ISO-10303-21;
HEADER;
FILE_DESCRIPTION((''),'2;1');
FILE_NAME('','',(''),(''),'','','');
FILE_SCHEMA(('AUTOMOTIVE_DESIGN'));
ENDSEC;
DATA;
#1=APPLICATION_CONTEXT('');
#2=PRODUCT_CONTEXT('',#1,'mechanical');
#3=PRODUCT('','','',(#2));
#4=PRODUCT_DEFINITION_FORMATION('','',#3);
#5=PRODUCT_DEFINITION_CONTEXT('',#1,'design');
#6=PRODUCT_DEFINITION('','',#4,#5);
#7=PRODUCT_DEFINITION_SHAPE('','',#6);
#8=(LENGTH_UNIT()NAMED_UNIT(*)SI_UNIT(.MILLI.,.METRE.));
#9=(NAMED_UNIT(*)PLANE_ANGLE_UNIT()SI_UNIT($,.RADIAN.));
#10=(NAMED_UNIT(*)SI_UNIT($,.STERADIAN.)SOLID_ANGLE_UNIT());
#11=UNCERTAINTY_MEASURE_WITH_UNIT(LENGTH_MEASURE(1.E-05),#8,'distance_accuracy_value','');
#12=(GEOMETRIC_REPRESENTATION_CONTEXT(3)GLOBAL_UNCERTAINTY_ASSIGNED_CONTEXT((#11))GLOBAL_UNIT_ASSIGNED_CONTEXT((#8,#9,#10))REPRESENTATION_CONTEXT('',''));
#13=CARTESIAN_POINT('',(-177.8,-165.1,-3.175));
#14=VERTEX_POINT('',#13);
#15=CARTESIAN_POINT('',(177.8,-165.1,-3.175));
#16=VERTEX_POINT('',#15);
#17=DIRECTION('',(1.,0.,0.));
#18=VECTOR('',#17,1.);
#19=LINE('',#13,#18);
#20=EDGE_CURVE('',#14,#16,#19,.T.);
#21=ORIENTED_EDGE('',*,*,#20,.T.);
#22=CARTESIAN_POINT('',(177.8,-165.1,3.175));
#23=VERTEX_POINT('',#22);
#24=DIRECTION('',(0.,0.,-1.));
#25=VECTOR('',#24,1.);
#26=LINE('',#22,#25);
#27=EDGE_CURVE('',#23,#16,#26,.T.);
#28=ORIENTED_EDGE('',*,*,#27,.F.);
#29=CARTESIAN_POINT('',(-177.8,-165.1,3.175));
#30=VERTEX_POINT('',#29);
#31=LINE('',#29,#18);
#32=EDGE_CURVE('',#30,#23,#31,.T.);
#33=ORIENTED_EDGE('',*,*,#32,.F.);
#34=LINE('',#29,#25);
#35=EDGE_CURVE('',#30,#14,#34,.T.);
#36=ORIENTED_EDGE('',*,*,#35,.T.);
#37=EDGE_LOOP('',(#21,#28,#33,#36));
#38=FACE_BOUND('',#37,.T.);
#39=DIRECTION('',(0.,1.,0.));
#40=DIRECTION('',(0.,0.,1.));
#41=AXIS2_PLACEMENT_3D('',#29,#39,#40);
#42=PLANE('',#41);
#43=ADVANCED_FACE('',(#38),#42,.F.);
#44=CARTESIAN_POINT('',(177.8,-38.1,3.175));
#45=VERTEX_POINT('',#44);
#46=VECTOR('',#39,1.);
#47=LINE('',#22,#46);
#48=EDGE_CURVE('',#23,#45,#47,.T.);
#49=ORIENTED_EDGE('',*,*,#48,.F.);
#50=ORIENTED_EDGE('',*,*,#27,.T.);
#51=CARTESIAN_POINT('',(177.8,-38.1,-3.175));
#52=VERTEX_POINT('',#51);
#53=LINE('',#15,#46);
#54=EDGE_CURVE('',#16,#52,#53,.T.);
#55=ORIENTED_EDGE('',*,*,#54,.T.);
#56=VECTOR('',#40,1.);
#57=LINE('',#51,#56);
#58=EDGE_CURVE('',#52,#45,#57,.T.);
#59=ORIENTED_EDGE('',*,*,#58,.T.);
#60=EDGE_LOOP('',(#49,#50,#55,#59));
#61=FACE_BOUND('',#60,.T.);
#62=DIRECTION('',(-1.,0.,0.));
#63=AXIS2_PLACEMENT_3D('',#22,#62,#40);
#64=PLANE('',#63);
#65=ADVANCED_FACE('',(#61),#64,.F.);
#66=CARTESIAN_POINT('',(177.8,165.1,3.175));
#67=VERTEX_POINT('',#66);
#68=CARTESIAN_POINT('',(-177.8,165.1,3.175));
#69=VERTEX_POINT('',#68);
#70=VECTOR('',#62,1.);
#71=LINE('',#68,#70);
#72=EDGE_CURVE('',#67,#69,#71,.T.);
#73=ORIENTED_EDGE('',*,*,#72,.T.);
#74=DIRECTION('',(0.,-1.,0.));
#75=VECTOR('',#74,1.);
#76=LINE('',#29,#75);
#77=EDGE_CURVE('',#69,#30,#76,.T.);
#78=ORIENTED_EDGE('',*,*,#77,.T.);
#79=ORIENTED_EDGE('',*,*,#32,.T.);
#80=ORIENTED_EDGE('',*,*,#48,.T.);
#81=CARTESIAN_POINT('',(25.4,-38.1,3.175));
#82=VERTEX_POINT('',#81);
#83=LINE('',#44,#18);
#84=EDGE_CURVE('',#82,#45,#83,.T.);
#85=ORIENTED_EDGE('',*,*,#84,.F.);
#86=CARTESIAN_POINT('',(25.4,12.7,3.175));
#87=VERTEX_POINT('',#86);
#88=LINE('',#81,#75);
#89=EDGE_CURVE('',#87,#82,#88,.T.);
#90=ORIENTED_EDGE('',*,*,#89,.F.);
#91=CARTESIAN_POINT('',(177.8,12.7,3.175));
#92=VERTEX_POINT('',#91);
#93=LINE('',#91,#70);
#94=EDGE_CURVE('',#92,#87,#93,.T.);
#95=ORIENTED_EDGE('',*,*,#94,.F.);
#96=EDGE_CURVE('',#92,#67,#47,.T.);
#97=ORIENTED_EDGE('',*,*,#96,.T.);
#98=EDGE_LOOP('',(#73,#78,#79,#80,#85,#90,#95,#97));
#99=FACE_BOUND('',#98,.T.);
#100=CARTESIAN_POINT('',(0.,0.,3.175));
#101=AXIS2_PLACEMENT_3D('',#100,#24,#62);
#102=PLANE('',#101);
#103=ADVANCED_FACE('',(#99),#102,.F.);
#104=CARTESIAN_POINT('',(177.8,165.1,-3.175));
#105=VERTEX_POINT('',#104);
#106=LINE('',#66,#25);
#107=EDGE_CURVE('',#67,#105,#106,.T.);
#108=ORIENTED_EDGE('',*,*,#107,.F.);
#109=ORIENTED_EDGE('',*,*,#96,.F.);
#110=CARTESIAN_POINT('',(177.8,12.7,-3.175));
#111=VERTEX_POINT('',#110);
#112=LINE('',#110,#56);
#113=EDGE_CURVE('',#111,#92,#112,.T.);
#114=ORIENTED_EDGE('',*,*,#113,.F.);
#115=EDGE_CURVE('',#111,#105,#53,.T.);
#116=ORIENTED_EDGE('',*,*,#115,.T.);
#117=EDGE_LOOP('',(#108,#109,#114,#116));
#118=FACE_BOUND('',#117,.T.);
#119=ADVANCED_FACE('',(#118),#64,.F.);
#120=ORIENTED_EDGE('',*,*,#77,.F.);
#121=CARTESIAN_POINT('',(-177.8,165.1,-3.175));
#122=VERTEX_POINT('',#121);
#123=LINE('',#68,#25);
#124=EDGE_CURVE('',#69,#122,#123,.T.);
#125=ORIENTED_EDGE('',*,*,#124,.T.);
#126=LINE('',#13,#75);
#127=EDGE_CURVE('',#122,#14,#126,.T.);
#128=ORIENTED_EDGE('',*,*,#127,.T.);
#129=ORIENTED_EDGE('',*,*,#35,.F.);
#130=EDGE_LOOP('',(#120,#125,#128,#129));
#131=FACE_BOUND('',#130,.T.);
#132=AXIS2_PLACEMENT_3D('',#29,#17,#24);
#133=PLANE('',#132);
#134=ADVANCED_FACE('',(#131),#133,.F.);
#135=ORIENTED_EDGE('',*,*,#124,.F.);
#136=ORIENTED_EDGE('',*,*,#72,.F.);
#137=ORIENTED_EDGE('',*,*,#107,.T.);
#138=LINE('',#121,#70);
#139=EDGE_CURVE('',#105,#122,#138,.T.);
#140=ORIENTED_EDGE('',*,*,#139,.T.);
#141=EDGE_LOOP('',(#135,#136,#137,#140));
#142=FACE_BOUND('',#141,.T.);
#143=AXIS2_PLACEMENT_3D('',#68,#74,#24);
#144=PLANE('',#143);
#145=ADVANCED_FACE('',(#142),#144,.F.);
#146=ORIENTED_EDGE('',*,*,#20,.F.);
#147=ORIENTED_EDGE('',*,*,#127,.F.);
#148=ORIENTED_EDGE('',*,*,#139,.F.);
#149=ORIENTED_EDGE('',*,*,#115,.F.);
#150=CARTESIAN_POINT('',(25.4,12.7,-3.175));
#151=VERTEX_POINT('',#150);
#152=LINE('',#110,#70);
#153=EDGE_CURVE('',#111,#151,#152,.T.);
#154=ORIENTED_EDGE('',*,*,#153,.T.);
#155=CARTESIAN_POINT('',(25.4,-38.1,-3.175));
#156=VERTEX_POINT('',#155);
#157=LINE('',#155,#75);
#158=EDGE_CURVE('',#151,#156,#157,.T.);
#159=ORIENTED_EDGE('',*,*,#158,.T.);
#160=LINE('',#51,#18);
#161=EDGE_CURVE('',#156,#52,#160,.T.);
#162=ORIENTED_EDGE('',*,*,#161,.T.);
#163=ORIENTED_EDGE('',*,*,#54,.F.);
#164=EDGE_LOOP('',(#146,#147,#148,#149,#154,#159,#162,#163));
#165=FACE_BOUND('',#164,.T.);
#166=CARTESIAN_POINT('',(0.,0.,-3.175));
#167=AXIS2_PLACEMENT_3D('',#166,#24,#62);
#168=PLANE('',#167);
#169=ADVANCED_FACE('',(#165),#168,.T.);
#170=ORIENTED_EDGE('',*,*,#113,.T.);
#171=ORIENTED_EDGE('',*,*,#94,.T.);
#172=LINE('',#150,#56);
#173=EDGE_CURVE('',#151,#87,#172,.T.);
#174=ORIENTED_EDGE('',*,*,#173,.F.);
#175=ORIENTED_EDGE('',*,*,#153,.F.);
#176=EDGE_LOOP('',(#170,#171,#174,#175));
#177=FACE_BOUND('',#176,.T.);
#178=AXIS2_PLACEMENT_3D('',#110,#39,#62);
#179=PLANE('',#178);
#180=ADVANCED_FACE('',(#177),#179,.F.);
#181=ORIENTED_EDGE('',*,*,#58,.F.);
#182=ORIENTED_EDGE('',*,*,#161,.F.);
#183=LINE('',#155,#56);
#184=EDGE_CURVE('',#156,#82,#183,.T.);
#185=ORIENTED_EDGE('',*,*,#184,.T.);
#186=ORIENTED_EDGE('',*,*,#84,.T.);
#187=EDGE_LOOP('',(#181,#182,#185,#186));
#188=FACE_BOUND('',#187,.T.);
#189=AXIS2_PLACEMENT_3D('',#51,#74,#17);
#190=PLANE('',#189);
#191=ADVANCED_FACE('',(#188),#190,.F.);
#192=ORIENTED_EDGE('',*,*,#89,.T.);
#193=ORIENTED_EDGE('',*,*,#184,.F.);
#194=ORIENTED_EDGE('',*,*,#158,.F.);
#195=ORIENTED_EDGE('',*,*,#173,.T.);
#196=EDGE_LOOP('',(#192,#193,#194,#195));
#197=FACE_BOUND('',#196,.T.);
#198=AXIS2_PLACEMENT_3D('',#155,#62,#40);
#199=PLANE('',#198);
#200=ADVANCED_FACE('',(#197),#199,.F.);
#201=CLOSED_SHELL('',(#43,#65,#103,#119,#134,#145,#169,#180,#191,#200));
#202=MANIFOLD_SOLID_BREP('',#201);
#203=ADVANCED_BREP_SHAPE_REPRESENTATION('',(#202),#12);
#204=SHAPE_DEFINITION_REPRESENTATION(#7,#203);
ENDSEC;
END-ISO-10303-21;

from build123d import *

# Parameters (mm, degrees)
SKETCH1_W           = 355.6
SKETCH1_H           = 330.2
BOSS_EXTRUDE1_DEPTH = 3.175
SKETCH3_W           = 152.4
SKETCH3_H           = 50.8
CUT_EXTRUDE1_DEPTH  = 7.35


with BuildPart() as part:
    # Sketch1 → Boss-Extrude1 (new body, symmetric)
    with BuildSketch(Plane.XY):
        Rectangle(SKETCH1_W, SKETCH1_H)
    extrude(amount=BOSS_EXTRUDE1_DEPTH, both=True)

    # Sketch3 → Cut-Extrude1 (cut, through all)
    with BuildSketch(Plane.XY.offset(3.175)):
        with Locations((101.6, -12.7)):
            Rectangle(SKETCH3_W, SKETCH3_H)
    extrude(amount=-CUT_EXTRUDE1_DEPTH, mode=Mode.SUBTRACT)


solid = part.part
